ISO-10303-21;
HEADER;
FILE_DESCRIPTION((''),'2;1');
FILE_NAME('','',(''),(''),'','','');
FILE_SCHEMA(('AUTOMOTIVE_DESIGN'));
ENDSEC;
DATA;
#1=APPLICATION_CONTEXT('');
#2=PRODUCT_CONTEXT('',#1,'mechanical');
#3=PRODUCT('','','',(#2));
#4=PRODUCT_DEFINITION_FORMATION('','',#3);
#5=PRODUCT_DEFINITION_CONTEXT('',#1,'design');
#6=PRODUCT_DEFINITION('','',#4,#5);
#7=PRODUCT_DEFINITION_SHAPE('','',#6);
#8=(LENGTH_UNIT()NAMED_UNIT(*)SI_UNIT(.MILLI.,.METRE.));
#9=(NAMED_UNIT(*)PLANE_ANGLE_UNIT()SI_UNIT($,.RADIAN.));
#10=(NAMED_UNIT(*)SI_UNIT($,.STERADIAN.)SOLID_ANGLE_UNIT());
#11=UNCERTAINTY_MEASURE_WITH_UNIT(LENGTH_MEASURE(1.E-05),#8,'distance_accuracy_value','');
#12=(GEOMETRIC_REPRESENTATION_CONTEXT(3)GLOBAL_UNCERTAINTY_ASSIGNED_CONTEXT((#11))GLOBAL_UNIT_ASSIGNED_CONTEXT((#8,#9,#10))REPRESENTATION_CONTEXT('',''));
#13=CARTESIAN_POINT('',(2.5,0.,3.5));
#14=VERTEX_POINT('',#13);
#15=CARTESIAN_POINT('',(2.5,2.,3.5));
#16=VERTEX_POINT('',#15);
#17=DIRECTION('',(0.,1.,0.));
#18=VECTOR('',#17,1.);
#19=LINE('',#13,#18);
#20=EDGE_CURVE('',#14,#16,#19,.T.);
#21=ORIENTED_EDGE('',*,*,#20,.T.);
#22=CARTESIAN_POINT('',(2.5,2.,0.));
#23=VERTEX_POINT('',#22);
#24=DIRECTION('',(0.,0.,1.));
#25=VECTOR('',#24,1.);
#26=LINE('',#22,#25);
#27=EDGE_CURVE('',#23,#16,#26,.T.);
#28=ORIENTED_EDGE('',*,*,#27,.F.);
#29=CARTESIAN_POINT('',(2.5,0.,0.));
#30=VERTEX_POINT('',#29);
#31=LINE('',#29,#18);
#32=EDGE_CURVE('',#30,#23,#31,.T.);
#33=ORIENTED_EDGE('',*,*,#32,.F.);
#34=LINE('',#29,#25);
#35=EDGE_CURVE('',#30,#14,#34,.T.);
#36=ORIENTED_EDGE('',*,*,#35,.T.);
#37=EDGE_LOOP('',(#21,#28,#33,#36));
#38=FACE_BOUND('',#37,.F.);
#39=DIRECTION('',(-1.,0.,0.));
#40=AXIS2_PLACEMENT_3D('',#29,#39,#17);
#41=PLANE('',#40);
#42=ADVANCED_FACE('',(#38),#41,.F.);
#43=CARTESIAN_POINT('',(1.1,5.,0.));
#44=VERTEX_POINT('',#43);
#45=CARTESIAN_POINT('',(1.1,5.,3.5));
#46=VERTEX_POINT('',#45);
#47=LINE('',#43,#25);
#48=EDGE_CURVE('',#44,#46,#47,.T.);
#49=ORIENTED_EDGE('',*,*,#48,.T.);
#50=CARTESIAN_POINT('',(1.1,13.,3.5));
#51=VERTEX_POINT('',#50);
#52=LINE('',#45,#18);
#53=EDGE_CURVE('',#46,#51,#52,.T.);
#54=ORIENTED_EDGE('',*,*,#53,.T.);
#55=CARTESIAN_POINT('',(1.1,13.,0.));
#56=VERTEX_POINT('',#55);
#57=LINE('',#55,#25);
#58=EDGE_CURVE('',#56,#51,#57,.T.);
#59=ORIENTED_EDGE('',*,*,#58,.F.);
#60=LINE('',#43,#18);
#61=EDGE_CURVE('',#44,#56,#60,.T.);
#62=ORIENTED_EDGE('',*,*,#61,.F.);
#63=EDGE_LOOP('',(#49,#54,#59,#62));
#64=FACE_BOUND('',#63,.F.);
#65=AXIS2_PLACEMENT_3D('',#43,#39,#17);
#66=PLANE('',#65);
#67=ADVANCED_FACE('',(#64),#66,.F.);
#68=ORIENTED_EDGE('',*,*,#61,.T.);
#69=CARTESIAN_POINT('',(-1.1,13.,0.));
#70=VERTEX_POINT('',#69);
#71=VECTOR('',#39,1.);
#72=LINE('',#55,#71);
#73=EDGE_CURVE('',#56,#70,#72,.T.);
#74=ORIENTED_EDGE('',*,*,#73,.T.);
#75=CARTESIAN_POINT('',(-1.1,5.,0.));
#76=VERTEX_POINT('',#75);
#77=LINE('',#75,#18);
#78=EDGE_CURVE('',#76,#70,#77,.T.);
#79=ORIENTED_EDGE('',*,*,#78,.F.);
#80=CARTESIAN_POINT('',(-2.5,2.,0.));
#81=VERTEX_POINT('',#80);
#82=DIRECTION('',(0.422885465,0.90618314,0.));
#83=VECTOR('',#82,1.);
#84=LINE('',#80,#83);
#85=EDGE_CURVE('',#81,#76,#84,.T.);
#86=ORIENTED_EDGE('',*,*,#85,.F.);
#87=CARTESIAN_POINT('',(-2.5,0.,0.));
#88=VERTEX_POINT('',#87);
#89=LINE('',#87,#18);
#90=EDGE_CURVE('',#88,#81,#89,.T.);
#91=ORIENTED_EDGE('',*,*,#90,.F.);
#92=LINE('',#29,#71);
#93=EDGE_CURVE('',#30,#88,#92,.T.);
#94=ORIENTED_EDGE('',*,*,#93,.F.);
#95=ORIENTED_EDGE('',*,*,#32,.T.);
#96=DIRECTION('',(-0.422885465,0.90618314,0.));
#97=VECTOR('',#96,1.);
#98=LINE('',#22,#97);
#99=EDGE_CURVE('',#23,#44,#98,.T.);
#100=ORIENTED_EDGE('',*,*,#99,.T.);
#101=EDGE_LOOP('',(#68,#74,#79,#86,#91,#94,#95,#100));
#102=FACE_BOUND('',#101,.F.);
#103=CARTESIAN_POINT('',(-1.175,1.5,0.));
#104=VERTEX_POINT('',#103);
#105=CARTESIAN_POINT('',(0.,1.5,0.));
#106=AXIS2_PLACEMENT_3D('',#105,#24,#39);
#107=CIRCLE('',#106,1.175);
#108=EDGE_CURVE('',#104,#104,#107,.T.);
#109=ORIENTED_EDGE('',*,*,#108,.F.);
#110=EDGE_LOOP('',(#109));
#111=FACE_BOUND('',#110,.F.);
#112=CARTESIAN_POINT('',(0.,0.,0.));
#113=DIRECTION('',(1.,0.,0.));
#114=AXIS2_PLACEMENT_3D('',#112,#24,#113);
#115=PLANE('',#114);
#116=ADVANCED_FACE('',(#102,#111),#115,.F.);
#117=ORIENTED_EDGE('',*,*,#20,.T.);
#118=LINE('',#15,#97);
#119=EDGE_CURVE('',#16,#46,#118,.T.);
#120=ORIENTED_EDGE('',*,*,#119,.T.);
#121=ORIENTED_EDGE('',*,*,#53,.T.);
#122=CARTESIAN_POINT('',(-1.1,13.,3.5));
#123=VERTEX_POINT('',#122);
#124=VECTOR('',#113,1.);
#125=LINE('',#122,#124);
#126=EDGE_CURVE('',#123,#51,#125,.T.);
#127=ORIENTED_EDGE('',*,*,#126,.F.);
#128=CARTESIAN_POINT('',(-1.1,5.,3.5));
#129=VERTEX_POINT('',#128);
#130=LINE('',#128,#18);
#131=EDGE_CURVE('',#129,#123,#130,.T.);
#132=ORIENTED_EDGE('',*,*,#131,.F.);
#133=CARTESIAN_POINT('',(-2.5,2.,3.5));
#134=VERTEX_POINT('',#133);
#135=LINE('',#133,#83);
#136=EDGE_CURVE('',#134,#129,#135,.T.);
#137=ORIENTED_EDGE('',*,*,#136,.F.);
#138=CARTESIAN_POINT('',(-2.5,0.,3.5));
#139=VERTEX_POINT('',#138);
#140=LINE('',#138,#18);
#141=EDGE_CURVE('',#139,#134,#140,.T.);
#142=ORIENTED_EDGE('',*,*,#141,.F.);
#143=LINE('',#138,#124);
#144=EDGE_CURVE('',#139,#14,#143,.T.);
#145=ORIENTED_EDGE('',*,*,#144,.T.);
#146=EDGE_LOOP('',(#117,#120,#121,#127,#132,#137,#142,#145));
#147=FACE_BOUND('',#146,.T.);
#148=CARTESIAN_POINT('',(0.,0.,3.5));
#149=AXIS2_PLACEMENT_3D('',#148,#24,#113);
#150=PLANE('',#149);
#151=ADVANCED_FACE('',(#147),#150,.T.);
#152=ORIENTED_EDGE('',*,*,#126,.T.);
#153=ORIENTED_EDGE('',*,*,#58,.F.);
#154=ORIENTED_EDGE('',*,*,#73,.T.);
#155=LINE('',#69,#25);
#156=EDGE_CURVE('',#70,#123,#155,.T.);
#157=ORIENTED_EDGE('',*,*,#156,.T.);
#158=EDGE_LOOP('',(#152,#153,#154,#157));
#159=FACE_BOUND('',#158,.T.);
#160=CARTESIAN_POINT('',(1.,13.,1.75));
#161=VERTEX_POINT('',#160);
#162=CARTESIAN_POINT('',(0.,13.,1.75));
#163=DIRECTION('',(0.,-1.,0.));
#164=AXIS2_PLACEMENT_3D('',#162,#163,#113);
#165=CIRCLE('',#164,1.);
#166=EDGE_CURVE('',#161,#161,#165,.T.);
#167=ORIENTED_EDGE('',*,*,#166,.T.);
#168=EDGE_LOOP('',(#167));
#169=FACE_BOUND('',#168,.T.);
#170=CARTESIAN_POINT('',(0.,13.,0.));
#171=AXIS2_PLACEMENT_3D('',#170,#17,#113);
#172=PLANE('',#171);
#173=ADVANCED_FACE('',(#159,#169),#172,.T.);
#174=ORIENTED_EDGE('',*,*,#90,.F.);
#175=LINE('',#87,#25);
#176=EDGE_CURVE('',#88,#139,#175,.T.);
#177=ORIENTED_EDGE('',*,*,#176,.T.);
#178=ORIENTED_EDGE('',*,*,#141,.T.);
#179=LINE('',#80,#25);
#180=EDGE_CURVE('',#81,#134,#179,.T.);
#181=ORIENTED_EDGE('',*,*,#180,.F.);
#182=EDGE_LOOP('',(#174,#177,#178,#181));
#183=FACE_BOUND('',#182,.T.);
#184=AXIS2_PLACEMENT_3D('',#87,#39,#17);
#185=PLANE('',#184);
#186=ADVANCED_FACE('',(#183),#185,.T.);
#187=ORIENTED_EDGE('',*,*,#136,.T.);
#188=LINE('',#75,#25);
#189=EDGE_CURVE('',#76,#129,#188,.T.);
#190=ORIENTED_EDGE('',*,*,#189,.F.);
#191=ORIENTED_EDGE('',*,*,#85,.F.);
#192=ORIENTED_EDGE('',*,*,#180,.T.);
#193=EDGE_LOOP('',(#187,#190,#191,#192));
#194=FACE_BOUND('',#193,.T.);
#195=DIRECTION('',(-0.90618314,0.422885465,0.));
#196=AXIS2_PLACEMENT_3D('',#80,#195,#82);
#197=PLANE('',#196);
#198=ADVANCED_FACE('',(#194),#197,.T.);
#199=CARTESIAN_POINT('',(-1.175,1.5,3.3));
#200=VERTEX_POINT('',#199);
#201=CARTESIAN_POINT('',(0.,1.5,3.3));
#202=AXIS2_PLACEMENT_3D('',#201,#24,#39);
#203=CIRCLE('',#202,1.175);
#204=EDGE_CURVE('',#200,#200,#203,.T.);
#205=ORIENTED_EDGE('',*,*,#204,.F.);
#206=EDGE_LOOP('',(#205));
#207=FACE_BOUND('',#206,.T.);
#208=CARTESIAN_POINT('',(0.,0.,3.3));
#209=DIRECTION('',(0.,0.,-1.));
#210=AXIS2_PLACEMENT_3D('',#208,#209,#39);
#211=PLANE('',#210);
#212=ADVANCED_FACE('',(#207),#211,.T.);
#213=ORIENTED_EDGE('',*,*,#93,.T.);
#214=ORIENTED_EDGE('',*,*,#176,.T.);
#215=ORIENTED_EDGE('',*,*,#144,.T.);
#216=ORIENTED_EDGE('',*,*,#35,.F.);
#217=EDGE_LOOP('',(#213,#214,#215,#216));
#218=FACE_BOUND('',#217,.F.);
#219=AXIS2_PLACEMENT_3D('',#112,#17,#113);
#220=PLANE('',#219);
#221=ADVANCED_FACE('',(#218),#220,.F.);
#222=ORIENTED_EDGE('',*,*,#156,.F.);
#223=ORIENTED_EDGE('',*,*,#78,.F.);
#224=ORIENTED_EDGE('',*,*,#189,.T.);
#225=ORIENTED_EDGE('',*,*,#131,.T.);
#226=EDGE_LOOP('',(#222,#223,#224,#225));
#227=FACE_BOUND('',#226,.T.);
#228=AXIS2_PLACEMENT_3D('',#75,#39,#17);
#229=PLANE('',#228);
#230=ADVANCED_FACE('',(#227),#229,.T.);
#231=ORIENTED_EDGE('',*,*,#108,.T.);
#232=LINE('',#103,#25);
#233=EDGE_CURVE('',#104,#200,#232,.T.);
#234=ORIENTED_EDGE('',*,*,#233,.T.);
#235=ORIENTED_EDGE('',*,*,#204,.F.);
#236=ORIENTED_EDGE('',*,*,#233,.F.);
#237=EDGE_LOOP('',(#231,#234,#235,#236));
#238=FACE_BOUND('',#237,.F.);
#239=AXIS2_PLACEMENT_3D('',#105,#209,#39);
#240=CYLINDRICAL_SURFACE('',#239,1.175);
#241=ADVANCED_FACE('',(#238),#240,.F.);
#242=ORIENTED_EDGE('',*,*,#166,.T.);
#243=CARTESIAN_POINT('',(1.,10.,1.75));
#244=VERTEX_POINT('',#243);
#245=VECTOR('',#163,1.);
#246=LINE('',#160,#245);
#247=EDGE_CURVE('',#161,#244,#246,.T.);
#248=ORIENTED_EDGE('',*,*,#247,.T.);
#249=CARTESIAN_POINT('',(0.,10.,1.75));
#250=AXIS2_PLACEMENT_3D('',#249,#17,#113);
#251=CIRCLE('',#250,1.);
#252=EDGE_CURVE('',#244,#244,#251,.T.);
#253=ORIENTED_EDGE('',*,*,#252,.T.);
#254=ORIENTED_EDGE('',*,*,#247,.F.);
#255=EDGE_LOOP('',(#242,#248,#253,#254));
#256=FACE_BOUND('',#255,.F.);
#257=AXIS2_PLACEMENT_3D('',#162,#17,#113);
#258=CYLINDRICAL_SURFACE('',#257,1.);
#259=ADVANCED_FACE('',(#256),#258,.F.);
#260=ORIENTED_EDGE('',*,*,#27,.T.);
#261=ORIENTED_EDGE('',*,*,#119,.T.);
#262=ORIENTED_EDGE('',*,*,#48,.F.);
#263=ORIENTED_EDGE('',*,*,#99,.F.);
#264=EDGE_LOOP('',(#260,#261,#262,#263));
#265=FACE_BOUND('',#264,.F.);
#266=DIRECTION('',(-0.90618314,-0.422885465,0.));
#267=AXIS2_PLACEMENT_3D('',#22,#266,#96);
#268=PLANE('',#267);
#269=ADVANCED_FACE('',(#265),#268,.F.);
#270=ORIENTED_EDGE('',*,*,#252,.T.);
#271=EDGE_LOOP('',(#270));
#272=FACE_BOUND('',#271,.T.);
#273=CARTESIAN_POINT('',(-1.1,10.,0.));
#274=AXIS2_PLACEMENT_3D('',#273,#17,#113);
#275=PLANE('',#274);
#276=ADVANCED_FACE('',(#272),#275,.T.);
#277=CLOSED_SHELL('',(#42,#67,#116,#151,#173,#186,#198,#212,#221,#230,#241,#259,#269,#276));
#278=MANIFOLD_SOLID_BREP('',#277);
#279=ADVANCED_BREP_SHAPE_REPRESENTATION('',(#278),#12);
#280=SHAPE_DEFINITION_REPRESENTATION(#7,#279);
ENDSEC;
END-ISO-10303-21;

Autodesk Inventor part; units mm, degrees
ref_plane "YZ Plane" through (0, 0, 0) normal (1, 0, 0) x (0, 1, 0)
ref_plane "XZ Plane" through (0, 0, 0) normal (0, 1, 0) x (-1, 0, 0)
ref_plane "XY Plane" through (0, 0, 0) normal (0, 0, 1) x (1, 0, 0)
sketch "Esquisse1" plane through (0, 0, 0) normal (0, 0, 1) x (1, 0, 0)
  line L0 (0, 13) -> (-1.1, 13)
  line L1 (0, 13) -> (1.1, 13)
  line L2 (0, 0) -> (-2.5, 0)
  line L3 (0, 0) -> (2.5, 0)
  line L4 (2.5, 0) -> (2.5, 2)
  line L5 (2.5, 2) -> (1.1, 5)
  line L6 (-2.5, 0) -> (-2.5, 2)
  line L7 (-2.5, 2) -> (-1.1, 5)
  line L8 (-1.1, 5) -> (-1.1, 13)
  line L9 (1.1, 5) -> (1.1, 13)
  dimension "d0" = 13
  dimension "d1" = 1.1
  dimension "d2" = 1.1
  dimension "d3" = 8
  dimension "d5" = 2.5
  dimension "d6" = 2.5
  dimension "d7" = 2
  dimension "d8" = 2
  dimension "d18" = 8
extrude "Extrusion1" add sketch "Esquisse1" along normal blind 3.5
sketch "Esquisse3" plane through (0, 0, 0) normal (0, 0, -1) x (-1, 0, 0)
  line L0 (1.1, 5) -> (2.5, 2) projected
  line L1 (2.5, 0) -> (-2.5, 0) projected
  line L2 (2.5, 2) -> (2.5, 0) projected
  circle A0 centre (0, 1.5) radius 1.175
  line L3 (0, 0) -> (0, 1.5)
  dimension "d14" = 2.35
  dimension "d15" = 1.5
extrude "Extrusion3" cut sketch "Esquisse3" against normal blind 3.3
sketch "Esquisse4" plane through (-1.1, 13, 0) normal (0, 1, 0) x (1, 0, 0)
  line L0 (2.2, 0) -> (2.2, -3.5) projected
  line L1 (2.2, -1.75) -> (0, -1.75)
  line L2 (0, 0) -> (0, -3.5) projected
  circle A0 centre (1.1, -1.75) radius 1
  point P0 (1.1, 0)
  dimension "d19" = 2
extrude "Extrusion4" cut sketch "Esquisse4" against normal blind 3
properties part number "Socle P-Barre"
